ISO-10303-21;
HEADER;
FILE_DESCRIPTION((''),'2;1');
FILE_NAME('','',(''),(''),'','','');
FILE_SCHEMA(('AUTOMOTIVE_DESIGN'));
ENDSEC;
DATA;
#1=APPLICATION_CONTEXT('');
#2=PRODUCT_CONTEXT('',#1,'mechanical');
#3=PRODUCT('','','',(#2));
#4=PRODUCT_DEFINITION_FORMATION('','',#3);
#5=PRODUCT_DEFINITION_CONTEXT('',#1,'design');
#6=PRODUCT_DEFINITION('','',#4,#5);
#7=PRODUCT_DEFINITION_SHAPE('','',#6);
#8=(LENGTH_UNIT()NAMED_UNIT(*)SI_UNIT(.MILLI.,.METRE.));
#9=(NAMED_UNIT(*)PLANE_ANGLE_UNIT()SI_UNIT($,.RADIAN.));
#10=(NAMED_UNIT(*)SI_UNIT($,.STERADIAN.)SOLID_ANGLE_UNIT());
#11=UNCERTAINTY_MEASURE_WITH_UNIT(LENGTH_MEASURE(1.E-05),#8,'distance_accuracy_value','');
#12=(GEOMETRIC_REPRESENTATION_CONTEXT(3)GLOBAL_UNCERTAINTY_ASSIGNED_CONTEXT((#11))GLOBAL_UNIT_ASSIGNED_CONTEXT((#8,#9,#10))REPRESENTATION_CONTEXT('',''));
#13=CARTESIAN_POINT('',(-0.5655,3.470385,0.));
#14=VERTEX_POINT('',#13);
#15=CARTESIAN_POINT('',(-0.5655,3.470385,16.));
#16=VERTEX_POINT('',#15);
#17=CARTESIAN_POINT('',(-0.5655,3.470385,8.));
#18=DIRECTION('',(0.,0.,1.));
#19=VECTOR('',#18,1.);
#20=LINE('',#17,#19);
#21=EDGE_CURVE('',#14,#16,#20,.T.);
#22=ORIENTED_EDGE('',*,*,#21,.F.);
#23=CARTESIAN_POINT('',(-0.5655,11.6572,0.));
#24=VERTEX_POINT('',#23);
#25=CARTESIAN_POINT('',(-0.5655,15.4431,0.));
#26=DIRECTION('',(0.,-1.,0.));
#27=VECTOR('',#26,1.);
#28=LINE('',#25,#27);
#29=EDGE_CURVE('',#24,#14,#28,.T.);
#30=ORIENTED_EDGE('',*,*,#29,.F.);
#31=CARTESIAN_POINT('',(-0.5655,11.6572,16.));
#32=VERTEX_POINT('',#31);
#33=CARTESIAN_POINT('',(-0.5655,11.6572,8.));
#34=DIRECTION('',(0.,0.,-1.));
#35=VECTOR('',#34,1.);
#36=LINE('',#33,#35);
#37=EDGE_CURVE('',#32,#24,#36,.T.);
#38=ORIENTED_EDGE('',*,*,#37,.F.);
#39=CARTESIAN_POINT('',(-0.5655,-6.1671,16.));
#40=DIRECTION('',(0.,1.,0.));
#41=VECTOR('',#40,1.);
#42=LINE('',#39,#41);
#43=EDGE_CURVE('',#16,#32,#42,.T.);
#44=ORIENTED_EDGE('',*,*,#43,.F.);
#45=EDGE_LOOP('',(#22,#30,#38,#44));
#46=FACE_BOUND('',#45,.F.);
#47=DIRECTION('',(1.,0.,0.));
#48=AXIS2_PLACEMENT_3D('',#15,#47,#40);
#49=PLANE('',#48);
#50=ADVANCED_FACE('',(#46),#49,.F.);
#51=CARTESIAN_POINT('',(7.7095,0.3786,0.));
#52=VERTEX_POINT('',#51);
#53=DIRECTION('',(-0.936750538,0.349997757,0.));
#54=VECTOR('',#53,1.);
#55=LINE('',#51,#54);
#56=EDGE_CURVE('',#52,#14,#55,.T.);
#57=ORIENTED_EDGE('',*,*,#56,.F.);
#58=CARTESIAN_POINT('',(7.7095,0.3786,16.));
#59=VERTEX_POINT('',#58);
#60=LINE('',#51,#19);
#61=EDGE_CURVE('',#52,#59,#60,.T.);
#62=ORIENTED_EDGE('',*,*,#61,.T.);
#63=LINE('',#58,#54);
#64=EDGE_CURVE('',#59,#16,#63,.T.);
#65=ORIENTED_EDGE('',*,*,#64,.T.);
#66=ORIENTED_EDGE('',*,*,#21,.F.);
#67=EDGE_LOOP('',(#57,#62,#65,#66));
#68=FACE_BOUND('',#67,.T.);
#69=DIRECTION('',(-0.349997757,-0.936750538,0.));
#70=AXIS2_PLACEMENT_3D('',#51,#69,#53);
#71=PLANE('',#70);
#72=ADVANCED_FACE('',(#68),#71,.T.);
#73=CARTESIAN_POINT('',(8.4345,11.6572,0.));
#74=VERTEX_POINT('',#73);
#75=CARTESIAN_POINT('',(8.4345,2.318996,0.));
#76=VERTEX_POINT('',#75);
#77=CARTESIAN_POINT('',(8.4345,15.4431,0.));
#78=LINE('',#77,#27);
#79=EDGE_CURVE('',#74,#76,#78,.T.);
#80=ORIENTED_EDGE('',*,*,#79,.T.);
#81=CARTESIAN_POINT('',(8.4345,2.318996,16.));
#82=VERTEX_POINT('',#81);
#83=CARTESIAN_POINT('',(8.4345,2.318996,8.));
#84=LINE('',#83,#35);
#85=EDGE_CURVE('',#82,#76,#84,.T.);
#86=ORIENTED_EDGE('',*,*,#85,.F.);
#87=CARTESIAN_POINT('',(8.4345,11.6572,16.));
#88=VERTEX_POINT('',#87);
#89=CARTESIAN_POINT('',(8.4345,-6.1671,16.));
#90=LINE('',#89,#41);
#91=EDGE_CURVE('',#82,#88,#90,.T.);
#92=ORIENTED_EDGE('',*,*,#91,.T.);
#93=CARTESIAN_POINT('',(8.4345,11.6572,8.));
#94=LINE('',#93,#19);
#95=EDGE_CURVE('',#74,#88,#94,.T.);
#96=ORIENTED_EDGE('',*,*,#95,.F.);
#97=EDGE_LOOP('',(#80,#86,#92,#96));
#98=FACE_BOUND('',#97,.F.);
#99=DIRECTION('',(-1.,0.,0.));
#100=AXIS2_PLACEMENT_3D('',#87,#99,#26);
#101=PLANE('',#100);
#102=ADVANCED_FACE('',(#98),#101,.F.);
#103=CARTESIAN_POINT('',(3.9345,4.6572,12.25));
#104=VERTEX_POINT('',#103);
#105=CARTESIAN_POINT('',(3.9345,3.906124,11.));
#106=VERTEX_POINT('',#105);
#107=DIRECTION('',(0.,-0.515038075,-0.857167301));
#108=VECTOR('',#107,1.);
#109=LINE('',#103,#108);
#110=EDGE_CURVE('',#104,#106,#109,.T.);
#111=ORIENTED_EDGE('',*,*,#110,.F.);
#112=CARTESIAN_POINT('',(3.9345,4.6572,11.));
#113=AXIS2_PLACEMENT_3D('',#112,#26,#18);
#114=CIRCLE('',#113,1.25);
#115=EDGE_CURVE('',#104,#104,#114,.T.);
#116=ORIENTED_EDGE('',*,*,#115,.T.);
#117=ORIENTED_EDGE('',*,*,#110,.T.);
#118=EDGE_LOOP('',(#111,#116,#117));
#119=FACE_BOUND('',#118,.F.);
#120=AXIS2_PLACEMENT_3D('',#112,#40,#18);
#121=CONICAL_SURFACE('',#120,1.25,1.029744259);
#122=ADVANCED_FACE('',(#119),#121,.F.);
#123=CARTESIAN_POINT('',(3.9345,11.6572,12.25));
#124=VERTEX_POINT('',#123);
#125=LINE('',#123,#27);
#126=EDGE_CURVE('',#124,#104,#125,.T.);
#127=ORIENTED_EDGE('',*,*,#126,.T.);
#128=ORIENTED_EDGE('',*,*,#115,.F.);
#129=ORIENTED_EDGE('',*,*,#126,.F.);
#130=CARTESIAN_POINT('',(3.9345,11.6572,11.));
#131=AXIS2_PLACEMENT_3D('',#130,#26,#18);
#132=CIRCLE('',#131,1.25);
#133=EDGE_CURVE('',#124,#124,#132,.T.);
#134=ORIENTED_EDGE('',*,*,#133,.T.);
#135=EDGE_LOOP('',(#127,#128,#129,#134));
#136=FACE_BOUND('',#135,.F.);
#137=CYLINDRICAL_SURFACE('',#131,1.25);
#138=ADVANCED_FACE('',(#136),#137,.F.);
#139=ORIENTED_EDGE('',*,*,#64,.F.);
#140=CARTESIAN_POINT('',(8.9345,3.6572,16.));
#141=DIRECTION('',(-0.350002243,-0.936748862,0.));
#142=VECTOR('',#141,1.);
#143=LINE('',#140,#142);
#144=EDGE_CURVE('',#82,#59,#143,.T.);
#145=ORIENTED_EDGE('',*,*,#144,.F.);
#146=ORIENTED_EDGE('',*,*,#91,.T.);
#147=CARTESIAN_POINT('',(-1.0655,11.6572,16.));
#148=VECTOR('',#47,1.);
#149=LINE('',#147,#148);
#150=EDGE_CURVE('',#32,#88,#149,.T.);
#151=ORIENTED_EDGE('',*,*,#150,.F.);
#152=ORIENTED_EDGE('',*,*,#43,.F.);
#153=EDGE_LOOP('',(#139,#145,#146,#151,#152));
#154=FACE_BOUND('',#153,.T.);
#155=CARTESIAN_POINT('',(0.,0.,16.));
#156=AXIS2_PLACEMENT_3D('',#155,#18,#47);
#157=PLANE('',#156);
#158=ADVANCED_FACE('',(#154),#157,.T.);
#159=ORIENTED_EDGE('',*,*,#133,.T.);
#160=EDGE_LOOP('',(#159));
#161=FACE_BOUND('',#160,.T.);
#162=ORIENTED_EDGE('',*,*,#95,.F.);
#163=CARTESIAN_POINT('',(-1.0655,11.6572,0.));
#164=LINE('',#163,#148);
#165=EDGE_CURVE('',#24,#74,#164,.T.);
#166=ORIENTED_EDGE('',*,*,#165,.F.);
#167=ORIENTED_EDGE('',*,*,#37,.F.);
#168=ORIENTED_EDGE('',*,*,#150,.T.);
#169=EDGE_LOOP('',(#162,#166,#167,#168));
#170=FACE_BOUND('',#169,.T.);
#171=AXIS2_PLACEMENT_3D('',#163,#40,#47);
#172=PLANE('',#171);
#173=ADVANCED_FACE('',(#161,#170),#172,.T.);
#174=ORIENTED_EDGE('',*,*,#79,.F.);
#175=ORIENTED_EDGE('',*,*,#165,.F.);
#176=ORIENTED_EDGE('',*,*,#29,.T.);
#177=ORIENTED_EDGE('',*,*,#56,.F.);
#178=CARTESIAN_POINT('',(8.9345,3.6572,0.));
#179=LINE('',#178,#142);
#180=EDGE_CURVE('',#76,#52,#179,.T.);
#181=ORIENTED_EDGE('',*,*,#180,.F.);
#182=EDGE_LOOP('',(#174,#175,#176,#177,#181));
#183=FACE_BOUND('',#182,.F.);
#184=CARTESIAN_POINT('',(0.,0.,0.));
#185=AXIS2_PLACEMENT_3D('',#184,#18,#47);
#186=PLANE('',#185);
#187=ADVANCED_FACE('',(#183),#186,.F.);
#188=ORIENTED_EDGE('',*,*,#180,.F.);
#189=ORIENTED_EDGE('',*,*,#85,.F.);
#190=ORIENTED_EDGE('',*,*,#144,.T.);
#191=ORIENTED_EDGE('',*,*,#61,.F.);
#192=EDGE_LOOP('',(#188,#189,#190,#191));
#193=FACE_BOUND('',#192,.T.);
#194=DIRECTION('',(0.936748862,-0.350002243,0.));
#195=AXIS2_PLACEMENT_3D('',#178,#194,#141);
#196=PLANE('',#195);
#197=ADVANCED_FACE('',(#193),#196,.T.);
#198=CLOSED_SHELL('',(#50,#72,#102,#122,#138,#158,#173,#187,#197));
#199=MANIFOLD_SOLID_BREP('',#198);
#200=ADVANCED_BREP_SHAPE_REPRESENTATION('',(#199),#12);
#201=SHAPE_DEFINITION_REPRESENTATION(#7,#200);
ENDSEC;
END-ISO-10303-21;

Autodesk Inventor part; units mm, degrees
ref_plane "YZ Plane" through (0, 0, 0) normal (1, 0, 0) x (0, 1, 0)
ref_plane "XZ Plane" through (0, 0, 0) normal (0, 1, 0) x (-1, 0, 0)
ref_plane "XY Plane" through (0, 0, 0) normal (0, 0, 1) x (1, 0, 0)
sketch "Sketch2" plane through (0, 0, 0) normal (0, 0, 1) x (1, 0, 0)
  line L0 (-5.0655, 3.6572) -> (12.9345, 3.6572)
  line L1 (12.9345, 3.6572) -> (12.9345, -8.3428)
  line L2 (12.9345, -8.3428) -> (-5.0655, -8.3428)
  line L3 (-5.0655, -8.3428) -> (-5.0655, 3.6572)
  line L4 (8.9345, 3.6572) -> (7.7095, 0.3786)
  line L5 (7.7095, 0.3786) -> (-1.0655, 3.6572)
  line L6 (-1.0655, 3.6572) -> (-1.0655, 11.6572)
  line L7 (-1.0655, 11.6572) -> (8.9345, 11.6572)
  line L8 (8.9345, 11.6572) -> (8.9345, 3.6572)
  point P0 (0, 0)
  dimension "d0" = 18
  dimension "d1" = 12
  dimension "d2" = 3.5
  dimension "d3" = 4
  dimension "d4" = 4
  dimension "d5" = 110.487
  dimension "d6" = 8
extrude "Extrusion1" add sketch "Sketch2" along normal blind 16 contours L6 L7 L8 L0 | L0 L4 L5
sketch "Sketch3" plane through (0, 0, 16) normal (0, 0, 1) x (1, 0, 0)
  line L0 (-1.0655, 3.6572) -> (7.7095, 0.3786) projected
  line L1 (7.7095, 0.3786) -> (8.9345, 3.6572) projected
  line L2 (8.9345, 3.6572) -> (8.9345, 11.6572) projected
  line L3 (8.9345, 11.6572) -> (-1.0655, 11.6572) projected
  line L4 (-1.0655, 11.6572) -> (-1.0655, 3.6572) projected
  line L5 (-0.5655, 15.4431) -> (8.4345, 15.4431)
  line L6 (8.4345, 15.4431) -> (8.4345, -6.1671)
  line L7 (8.4345, -6.1671) -> (-0.5655, -6.1671)
  line L8 (-0.5655, -6.1671) -> (-0.5655, 15.4431)
  point P0 (0, 0)
  dimension "d9" = 0.5
  dimension "d10" = 0.5
extrude "Extrusion2" cut sketch "Sketch3" against normal through all contours L8 L3 L6 L1 L0 | L0 L1 L6 L7 L8 | L8 L5 L6 L3 keep common part
sketch "Sketch4" plane through (-0.5655, 11.6572, 16) normal (0, 1, 0) x (1, 0, 0)
  line L0 (0, 0) -> (0, 16) projected
  line L1 (9, 0) -> (0, 0) projected
  line L2 (9, 16) -> (9, 0) projected
  line L3 (9, 16) -> (0, 16) projected
  point P0 (0.5655, 16)
  point P1 (4.5, 5)
  dimension "d13" = 5
  dimension "d14" = 4.5
  dimension "d15" = 9
  dimension "d16" = 16
hole "Hole1" at (3.9345, 11.6572, 11) direction (0, -1, 0) diameter 2.5 depth 7 tip angle 118
equation "\"d14\" = 0.5 * d15"
properties part number "3DP_PLA_Measurement_Rail_Barrier"
